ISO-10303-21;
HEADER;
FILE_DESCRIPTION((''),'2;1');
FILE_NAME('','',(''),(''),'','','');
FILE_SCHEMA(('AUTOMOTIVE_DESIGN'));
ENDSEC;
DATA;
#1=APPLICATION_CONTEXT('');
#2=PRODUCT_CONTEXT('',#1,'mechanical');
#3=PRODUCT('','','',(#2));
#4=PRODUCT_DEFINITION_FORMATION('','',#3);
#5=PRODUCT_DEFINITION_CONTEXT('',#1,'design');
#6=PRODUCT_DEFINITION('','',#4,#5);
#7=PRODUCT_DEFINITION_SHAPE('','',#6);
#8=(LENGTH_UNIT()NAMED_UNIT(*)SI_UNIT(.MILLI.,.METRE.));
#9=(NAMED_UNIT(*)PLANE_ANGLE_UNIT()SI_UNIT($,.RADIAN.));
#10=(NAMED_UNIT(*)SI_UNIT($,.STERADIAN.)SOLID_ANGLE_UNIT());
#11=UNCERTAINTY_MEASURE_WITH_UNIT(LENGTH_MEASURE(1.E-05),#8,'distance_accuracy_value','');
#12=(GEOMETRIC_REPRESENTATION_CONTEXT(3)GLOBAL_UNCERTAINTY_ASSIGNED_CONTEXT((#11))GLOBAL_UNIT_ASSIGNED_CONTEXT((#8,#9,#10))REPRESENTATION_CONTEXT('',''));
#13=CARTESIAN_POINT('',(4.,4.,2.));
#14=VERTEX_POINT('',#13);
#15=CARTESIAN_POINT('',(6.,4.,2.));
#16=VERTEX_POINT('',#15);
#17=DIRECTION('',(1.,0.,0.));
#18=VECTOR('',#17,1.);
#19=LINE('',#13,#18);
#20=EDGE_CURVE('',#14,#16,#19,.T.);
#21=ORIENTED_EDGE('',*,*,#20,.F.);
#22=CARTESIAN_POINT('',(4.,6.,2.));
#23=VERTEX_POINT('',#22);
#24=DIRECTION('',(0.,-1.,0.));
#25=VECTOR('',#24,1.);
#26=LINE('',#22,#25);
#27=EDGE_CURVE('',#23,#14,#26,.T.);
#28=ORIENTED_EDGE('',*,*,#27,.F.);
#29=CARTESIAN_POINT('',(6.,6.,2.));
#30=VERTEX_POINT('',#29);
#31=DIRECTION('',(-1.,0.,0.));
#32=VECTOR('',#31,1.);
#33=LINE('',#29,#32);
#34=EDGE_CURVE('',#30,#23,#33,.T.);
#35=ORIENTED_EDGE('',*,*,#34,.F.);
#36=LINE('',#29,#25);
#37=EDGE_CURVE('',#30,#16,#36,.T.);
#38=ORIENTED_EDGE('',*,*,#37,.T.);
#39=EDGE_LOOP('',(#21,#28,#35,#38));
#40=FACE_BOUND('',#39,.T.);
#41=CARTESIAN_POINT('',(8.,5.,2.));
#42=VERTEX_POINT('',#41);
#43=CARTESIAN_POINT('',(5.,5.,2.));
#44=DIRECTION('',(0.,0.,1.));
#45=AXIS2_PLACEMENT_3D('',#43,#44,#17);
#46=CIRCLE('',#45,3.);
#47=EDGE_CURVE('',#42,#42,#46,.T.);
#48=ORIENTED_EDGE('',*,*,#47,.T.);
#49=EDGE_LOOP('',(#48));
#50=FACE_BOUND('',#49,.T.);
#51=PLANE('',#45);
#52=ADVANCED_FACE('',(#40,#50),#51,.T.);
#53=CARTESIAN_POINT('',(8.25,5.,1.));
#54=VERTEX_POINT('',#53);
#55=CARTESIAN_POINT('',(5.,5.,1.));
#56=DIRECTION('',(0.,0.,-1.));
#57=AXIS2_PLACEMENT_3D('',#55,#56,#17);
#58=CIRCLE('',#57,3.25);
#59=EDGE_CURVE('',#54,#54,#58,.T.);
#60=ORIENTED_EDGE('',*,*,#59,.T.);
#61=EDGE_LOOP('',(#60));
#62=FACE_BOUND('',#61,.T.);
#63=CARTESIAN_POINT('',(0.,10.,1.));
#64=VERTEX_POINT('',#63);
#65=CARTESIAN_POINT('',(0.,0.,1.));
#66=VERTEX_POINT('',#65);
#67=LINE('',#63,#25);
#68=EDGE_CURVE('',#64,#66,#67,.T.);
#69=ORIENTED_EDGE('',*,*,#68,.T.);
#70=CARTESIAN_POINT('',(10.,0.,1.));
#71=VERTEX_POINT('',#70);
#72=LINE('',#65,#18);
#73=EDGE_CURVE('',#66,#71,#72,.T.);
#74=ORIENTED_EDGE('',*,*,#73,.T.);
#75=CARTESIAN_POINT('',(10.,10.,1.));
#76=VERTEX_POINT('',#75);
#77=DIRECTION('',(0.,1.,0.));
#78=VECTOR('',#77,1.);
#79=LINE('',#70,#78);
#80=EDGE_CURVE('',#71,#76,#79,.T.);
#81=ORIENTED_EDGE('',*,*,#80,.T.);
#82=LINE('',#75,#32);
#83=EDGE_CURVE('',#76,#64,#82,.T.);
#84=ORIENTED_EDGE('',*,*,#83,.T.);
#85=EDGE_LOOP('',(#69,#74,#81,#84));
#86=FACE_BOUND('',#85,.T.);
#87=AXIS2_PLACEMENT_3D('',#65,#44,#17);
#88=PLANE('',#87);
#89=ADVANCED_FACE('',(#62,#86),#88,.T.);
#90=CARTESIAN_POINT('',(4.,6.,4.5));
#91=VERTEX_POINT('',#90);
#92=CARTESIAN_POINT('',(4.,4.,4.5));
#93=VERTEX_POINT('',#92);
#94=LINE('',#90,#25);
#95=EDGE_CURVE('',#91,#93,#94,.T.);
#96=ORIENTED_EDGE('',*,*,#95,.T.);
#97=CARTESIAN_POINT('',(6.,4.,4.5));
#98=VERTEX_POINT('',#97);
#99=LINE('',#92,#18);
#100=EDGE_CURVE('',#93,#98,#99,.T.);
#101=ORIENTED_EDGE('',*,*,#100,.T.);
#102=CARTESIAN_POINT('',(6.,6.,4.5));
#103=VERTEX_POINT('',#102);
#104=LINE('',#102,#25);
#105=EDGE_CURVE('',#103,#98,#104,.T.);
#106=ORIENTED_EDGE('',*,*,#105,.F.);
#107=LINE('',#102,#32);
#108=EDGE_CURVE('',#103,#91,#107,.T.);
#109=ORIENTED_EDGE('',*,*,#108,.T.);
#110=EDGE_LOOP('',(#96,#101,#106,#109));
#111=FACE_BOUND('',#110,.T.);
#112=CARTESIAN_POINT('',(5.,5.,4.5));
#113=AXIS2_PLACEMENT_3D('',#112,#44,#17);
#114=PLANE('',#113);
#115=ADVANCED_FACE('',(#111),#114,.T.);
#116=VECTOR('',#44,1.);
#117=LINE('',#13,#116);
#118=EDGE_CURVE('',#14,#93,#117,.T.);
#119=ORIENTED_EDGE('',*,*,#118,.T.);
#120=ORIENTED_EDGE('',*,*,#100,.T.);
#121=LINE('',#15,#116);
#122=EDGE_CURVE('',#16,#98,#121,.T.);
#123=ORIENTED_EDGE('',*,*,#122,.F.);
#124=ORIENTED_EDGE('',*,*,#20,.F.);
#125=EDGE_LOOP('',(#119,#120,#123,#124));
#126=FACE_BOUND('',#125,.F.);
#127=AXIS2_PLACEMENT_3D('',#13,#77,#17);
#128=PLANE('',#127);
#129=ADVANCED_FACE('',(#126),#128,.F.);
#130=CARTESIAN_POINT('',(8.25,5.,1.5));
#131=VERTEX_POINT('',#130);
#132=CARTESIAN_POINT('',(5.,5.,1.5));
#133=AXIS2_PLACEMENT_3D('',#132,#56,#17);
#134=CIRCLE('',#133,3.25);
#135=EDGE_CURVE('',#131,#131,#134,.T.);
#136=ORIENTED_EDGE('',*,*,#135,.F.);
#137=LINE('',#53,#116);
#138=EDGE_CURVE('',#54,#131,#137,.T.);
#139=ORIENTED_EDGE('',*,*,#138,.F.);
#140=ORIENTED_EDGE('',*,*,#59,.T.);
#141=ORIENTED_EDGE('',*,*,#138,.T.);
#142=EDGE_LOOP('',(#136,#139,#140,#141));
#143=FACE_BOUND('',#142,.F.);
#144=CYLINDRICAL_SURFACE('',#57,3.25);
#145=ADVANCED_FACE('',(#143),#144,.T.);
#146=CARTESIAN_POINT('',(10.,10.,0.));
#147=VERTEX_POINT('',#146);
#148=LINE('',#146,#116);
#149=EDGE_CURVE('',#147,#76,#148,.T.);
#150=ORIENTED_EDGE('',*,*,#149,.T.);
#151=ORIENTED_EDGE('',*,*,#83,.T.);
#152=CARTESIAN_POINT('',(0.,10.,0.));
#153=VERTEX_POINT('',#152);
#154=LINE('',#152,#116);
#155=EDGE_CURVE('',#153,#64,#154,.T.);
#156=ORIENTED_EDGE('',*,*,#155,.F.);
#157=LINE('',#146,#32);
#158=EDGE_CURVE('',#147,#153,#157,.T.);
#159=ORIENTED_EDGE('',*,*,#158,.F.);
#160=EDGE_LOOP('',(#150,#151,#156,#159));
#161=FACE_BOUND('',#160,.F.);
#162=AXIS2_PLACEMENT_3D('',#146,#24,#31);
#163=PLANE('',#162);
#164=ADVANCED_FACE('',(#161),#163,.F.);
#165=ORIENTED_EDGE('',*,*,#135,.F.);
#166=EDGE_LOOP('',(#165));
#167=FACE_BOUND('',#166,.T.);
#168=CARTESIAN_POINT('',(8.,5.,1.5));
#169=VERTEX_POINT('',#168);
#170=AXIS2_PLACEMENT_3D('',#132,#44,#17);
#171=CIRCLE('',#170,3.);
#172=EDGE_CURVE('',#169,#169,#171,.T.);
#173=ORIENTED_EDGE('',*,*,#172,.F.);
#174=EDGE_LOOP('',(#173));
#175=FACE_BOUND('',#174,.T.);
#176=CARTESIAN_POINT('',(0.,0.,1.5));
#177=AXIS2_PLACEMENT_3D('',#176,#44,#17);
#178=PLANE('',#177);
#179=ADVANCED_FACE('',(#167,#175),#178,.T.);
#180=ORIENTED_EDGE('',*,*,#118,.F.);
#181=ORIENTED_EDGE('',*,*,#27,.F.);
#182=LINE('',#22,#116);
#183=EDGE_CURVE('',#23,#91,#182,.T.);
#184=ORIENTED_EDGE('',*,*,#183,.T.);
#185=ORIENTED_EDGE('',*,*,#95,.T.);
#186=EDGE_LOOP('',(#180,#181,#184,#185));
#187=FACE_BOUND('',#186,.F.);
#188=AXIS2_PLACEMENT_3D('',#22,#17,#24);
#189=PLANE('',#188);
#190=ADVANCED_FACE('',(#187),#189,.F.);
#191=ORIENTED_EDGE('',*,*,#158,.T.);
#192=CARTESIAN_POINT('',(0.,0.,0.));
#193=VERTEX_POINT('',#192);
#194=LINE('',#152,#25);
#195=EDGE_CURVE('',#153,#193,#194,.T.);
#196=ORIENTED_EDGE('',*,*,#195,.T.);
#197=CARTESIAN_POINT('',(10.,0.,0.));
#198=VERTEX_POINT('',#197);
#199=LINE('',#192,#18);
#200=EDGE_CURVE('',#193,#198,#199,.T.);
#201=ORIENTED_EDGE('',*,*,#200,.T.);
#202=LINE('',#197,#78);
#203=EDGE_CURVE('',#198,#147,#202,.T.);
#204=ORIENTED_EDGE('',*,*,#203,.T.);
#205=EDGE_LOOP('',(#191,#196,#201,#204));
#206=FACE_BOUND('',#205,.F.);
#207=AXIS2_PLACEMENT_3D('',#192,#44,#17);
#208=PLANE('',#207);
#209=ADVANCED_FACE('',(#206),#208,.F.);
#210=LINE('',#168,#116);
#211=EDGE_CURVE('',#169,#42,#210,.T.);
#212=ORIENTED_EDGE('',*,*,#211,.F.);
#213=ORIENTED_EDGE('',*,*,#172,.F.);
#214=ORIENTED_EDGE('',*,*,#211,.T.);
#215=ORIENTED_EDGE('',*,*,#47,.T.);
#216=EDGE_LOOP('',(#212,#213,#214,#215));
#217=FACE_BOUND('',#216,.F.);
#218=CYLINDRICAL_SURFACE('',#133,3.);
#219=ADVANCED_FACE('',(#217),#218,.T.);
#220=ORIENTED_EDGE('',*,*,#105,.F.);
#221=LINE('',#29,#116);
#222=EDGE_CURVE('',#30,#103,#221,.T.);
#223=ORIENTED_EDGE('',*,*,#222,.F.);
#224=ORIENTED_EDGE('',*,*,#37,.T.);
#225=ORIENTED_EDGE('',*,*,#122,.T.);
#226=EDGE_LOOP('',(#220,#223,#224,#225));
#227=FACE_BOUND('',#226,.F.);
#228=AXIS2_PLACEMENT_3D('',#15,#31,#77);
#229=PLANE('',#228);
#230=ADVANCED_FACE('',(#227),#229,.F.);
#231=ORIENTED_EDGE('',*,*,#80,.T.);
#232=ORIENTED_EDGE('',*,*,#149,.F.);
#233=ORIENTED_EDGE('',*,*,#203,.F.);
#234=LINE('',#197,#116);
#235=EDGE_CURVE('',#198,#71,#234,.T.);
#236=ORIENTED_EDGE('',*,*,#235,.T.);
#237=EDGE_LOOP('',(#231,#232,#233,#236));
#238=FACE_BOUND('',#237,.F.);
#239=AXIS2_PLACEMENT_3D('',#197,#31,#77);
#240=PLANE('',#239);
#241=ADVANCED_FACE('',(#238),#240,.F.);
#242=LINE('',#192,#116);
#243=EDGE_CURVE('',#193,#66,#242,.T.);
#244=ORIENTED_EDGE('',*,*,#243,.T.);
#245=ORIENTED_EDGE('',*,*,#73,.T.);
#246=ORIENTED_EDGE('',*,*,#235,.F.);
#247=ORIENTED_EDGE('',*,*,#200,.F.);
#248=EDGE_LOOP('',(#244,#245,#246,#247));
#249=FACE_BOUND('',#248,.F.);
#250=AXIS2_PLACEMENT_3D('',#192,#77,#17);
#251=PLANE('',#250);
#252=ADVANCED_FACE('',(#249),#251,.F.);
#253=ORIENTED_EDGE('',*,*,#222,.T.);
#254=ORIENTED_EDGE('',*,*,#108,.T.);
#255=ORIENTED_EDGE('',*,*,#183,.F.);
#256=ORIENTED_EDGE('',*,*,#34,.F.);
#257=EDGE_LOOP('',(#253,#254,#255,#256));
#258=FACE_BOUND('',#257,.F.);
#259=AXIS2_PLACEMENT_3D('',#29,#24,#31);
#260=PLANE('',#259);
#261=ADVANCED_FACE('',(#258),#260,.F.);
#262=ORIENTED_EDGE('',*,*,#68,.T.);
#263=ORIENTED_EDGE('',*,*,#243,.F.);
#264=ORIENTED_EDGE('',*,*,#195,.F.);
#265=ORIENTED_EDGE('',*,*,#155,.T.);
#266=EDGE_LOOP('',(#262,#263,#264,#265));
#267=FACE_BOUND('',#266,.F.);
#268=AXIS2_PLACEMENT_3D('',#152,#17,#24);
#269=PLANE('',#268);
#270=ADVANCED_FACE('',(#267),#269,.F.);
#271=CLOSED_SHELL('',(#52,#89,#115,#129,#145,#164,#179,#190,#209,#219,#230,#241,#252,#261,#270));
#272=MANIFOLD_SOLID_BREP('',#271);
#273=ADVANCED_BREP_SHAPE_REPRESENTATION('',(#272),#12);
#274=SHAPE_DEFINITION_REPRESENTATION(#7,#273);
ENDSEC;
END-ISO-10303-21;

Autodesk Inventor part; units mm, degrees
ref_plane "YZ Plane" through (0, 0, 0) normal (1, 0, 0) x (0, 1, 0)
ref_plane "XZ Plane" through (0, 0, 0) normal (0, 1, 0) x (-1, 0, 0)
ref_plane "XY Plane" through (0, 0, 0) normal (0, 0, 1) x (1, 0, 0)
sketch "Sketch1" plane through (0, 0, 0) normal (0, 0, 1) x (1, 0, 0)
  line L0 (0, 0) -> (10, 0)
  line L1 (10, 0) -> (10, 10)
  line L2 (10, 10) -> (0, 10)
  line L3 (0, 10) -> (0, 0)
  dimension "d0" = 10
  dimension "d1" = 10
extrude "Extrusion1" add sketch "Sketch1" along normal blind 1
sketch "Sketch2" plane through (0, 0, 1) normal (0, 0, 1) x (1, 0, 0)
  line L0 (10, 10) -> (0, 10) projected
  line L1 (5, 10) -> (5, 5)
  circle A0 centre (5, 5) radius 3.25
  point P0 (0, 0)
  dimension "d4" = 5
  dimension "d5" = 6.5
extrude "Extrusion2" add sketch "Sketch2" along normal blind 0.5
sketch "Sketch3" plane through (5, 5, 1.5) normal (0, 0, 1) x (1, 0, 0)
  circle A0 centre (0, 0) radius 3
  point P0 (-5, -5)
  dimension "d8" = 6
extrude "Extrusion3" add sketch "Sketch3" along normal blind 0.5
sketch "Sketch4" plane through (5, 5, 2) normal (0, 0, 1) x (1, 0, 0)
  line L0 (1, 0) -> (1, 1)
  line L1 (1, 1) -> (-1, 1)
  line L2 (-1, 1) -> (-1, -1)
  line L3 (-1, -1) -> (1, -1)
  line L4 (1, -1) -> (1, 0)
  point P0 (-5, -5)
  dimension "d12" = 1
  dimension "d13" = 2
  dimension "d14" = 2
extrude "Extrusion4" add sketch "Sketch4" along normal blind 2.5
sketch "Sketch5" plane through (0, 0, 1) normal (0, 0, 1) x (1, 0, 0)
  point P0 (0, 0)
sketch "Sketch6" plane through (5, 5, 4.5) normal (0, 0, 1) x (1, 0, 0)
  point P0 (-5, -5)
properties part number "BTN_2"
